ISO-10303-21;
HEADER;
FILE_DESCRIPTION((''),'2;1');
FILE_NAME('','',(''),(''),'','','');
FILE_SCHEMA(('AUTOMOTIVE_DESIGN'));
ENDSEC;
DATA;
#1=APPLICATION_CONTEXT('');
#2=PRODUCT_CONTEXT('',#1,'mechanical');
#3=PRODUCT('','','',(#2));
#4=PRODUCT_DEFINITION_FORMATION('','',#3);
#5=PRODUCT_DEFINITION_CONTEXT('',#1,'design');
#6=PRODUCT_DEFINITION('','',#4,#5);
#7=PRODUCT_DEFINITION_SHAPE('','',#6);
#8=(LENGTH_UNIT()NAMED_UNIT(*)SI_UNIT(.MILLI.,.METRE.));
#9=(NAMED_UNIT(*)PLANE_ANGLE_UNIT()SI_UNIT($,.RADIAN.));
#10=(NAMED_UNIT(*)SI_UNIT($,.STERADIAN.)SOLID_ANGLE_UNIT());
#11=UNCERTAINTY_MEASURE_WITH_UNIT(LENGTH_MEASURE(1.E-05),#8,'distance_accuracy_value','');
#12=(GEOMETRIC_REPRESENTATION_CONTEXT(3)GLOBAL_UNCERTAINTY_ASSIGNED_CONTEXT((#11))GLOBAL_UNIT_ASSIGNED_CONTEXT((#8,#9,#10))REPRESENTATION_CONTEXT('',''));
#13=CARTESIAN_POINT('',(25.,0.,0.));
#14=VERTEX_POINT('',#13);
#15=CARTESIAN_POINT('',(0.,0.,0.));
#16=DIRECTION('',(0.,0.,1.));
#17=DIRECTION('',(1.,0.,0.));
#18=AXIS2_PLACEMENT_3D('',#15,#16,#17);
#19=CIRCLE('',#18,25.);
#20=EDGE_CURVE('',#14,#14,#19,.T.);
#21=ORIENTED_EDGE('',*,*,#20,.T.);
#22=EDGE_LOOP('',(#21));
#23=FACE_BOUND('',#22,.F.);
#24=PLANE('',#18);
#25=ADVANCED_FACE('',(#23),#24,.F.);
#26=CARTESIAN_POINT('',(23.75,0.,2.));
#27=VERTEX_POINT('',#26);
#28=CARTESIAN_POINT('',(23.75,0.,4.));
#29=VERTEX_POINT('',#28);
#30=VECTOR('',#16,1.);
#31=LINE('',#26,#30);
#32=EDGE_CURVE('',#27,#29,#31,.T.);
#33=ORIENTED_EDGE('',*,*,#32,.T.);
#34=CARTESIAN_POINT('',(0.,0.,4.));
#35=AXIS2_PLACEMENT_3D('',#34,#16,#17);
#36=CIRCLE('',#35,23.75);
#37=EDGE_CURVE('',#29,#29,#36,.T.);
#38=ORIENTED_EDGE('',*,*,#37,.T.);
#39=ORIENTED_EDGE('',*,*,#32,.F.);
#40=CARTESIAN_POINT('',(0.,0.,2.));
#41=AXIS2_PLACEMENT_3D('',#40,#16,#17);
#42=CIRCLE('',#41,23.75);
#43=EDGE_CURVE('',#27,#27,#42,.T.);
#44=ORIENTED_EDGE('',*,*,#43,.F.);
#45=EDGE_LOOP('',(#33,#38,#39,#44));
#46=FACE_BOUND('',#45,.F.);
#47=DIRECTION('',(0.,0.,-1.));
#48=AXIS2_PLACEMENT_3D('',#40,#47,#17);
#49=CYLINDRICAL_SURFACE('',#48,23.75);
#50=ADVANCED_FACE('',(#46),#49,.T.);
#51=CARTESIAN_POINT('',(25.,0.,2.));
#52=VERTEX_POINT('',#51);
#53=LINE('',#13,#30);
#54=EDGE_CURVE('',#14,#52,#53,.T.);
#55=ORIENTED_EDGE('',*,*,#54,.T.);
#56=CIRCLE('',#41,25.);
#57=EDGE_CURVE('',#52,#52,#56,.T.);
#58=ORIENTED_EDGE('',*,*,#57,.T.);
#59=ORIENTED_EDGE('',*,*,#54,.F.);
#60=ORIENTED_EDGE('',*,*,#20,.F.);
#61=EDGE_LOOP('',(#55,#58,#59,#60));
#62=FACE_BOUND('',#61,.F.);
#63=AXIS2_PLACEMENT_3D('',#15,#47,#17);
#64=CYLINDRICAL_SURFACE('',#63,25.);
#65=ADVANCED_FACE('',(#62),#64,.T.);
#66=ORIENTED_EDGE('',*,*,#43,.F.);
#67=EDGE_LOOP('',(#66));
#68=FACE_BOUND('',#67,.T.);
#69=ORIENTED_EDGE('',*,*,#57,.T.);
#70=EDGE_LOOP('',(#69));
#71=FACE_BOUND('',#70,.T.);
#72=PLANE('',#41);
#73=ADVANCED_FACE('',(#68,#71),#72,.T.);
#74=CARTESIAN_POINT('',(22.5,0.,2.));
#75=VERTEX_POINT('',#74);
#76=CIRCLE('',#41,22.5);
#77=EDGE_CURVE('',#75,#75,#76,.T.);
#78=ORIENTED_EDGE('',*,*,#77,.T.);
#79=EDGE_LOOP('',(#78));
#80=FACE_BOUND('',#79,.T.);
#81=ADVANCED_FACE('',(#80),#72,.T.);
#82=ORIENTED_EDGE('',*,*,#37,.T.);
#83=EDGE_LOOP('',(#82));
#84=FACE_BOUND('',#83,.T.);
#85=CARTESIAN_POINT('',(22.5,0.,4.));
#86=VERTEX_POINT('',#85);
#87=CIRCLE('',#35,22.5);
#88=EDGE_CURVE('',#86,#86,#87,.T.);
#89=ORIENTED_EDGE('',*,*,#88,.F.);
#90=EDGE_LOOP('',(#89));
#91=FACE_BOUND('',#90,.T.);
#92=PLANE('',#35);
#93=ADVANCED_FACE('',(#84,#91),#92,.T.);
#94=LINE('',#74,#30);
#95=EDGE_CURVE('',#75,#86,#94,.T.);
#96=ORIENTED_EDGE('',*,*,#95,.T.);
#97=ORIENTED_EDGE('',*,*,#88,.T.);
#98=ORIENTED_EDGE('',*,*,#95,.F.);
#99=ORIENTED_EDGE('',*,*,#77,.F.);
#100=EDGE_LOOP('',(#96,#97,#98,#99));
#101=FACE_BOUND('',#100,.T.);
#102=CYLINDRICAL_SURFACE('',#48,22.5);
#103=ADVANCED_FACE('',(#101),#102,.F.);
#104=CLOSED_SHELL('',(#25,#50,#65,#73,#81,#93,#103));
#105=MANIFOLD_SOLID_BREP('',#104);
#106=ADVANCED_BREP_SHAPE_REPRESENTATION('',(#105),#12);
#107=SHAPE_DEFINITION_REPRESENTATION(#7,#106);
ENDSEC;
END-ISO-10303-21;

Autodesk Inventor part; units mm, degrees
ref_plane "YZ Plane" through (0, 0, 0) normal (1, 0, 0) x (0, 1, 0)
ref_plane "XZ Plane" through (0, 0, 0) normal (0, 1, 0) x (-1, 0, 0)
ref_plane "XY Plane" through (0, 0, 0) normal (0, 0, 1) x (1, 0, 0)
sketch "Sketch1" plane through (0, 0, 0) normal (0, 0, 1) x (1, 0, 0)
  circle A0 centre (0, 0) radius 25
  dimension "d0" = 50
extrude "Extrusion1" add sketch "Sketch1" along normal blind 2
sketch "Sketch2" plane through (0, 0, 2) normal (0, 0, 1) x (1, 0, 0)
  circle A0 centre (0, 0) radius 23.75
  circle A1 centre (0, 0) radius 22.5
  dimension "d3" = 47.5
  dimension "d4" = 45
extrude "Extrusion2" add sketch "Sketch2" along normal blind 2
properties part number "tapaCargador"
